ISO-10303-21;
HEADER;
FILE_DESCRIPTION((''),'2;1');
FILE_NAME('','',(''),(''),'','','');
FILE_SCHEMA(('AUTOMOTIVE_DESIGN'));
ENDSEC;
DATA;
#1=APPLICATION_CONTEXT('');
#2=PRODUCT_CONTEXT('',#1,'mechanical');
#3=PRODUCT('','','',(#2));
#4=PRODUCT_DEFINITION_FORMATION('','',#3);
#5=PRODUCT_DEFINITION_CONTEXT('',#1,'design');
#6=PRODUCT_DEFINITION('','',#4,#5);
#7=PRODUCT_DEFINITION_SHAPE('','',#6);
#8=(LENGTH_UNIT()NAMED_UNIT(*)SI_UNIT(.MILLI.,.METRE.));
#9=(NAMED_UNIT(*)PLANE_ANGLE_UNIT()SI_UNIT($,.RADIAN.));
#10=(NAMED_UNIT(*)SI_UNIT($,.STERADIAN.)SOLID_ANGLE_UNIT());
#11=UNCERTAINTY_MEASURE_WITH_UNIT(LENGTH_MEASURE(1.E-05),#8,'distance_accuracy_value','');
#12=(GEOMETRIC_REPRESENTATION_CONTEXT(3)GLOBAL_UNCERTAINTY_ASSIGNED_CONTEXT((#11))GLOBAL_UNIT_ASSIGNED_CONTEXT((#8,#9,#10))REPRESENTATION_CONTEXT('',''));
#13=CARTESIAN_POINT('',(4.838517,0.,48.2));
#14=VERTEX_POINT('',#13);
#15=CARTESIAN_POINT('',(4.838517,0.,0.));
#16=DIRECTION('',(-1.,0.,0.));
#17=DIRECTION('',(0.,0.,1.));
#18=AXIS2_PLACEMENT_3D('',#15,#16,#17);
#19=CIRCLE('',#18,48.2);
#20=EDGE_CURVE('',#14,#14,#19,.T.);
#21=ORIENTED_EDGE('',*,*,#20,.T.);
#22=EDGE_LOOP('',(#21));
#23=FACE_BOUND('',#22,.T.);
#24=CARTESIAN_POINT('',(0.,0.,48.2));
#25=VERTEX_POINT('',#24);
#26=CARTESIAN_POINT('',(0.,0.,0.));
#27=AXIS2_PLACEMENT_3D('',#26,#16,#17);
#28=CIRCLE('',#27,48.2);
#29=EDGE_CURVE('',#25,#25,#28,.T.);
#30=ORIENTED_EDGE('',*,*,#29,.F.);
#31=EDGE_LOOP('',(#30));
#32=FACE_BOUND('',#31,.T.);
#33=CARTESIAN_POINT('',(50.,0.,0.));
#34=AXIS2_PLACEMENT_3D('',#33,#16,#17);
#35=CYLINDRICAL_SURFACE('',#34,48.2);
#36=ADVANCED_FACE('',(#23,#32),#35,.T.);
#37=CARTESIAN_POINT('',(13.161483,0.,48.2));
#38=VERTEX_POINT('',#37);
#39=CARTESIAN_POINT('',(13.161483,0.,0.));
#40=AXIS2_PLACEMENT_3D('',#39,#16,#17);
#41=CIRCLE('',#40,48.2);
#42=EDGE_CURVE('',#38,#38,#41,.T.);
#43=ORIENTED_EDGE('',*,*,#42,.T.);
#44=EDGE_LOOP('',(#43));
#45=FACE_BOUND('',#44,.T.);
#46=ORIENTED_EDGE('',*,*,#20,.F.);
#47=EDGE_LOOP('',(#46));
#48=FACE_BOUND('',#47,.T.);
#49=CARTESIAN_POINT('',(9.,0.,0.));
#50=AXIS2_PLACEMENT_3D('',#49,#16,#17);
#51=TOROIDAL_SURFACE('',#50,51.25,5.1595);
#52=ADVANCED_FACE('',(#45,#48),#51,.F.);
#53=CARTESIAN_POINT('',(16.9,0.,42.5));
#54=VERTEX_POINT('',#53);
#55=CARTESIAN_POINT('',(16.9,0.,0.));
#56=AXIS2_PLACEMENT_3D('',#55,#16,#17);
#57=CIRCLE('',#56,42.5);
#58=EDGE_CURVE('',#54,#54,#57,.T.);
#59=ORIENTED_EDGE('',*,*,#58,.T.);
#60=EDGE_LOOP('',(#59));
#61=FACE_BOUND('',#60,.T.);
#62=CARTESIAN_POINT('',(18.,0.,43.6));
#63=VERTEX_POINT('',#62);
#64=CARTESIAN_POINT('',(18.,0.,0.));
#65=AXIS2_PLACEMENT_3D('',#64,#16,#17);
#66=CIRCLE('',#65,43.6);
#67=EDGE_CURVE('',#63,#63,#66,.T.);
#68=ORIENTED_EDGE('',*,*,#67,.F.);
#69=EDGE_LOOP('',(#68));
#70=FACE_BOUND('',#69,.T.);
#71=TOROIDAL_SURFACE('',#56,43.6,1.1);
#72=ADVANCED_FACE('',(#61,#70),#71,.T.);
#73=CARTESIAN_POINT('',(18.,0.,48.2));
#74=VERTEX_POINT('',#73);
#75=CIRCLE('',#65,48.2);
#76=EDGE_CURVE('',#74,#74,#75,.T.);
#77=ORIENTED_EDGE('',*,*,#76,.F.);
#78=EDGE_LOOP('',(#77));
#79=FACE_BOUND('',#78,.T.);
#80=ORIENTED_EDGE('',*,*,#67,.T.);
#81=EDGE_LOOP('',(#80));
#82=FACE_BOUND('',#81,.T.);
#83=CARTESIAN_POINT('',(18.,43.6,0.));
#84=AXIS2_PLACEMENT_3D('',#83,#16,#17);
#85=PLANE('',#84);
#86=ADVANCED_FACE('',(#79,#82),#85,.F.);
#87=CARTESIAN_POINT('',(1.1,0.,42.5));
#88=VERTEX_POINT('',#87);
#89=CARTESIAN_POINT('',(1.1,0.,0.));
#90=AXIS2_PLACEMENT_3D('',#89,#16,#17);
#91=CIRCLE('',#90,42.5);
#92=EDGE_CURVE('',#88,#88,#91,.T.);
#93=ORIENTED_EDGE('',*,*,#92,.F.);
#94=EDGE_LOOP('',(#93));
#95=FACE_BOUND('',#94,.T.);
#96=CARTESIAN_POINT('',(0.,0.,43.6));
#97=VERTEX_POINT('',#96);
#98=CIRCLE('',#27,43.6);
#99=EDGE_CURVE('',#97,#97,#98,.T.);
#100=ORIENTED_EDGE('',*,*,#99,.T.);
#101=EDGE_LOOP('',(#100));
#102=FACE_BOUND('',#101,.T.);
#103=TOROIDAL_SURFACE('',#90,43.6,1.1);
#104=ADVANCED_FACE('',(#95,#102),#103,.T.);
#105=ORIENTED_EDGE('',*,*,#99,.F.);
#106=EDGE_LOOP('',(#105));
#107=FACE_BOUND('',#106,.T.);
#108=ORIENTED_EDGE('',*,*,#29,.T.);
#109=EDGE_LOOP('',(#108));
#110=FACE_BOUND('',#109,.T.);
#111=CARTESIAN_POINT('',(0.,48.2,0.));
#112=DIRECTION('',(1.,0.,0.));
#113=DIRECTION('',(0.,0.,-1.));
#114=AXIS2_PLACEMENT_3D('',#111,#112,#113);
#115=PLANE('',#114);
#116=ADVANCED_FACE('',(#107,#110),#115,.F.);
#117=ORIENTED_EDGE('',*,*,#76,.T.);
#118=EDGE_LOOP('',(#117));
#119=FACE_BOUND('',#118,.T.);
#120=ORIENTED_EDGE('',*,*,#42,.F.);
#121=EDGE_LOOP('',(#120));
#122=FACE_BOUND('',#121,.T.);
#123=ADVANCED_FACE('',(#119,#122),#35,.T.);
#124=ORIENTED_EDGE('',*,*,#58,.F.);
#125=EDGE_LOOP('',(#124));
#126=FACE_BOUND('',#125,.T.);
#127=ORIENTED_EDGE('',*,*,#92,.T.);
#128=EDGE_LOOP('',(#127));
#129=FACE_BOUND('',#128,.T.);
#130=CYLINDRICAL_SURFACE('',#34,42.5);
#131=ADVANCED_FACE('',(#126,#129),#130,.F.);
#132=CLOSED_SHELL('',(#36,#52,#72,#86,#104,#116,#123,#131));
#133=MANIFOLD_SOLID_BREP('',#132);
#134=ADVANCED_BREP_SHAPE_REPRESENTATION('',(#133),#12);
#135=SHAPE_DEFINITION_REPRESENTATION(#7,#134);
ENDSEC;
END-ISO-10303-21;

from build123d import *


with BuildPart() as part:
    # Schizzo1 → Rivoluzione1 (revolve)
    with BuildSketch(Plane.XY, mode=Mode.PRIVATE) as rivoluzione1_sk:
        with BuildLine():
            Line((1.1, 42.5), (16.9, 42.5))
            ThreePointArc((16.9, 42.5), (17.677817459, 42.822182541), (18, 43.6))
            Line((18, 43.6), (18, 48.2))
            Line((18, 48.2), (13.161482939, 48.2))
            ThreePointArc((13.161482939, 48.2), (9, 46.0905), (4.838517061, 48.2))
            Line((4.838517061, 48.2), (0, 48.2))
            Line((0, 48.2), (0, 43.6))
            ThreePointArc((0, 43.6), (0.322182541, 42.822182541), (1.1, 42.5))
        make_face()
    revolve(rivoluzione1_sk.sketch.rotate(Axis((50, 0, 0), (-1, 0, 0)), 270), axis=Axis((50, 0, 0), (-1, 0, 0)))


solid = part.part
